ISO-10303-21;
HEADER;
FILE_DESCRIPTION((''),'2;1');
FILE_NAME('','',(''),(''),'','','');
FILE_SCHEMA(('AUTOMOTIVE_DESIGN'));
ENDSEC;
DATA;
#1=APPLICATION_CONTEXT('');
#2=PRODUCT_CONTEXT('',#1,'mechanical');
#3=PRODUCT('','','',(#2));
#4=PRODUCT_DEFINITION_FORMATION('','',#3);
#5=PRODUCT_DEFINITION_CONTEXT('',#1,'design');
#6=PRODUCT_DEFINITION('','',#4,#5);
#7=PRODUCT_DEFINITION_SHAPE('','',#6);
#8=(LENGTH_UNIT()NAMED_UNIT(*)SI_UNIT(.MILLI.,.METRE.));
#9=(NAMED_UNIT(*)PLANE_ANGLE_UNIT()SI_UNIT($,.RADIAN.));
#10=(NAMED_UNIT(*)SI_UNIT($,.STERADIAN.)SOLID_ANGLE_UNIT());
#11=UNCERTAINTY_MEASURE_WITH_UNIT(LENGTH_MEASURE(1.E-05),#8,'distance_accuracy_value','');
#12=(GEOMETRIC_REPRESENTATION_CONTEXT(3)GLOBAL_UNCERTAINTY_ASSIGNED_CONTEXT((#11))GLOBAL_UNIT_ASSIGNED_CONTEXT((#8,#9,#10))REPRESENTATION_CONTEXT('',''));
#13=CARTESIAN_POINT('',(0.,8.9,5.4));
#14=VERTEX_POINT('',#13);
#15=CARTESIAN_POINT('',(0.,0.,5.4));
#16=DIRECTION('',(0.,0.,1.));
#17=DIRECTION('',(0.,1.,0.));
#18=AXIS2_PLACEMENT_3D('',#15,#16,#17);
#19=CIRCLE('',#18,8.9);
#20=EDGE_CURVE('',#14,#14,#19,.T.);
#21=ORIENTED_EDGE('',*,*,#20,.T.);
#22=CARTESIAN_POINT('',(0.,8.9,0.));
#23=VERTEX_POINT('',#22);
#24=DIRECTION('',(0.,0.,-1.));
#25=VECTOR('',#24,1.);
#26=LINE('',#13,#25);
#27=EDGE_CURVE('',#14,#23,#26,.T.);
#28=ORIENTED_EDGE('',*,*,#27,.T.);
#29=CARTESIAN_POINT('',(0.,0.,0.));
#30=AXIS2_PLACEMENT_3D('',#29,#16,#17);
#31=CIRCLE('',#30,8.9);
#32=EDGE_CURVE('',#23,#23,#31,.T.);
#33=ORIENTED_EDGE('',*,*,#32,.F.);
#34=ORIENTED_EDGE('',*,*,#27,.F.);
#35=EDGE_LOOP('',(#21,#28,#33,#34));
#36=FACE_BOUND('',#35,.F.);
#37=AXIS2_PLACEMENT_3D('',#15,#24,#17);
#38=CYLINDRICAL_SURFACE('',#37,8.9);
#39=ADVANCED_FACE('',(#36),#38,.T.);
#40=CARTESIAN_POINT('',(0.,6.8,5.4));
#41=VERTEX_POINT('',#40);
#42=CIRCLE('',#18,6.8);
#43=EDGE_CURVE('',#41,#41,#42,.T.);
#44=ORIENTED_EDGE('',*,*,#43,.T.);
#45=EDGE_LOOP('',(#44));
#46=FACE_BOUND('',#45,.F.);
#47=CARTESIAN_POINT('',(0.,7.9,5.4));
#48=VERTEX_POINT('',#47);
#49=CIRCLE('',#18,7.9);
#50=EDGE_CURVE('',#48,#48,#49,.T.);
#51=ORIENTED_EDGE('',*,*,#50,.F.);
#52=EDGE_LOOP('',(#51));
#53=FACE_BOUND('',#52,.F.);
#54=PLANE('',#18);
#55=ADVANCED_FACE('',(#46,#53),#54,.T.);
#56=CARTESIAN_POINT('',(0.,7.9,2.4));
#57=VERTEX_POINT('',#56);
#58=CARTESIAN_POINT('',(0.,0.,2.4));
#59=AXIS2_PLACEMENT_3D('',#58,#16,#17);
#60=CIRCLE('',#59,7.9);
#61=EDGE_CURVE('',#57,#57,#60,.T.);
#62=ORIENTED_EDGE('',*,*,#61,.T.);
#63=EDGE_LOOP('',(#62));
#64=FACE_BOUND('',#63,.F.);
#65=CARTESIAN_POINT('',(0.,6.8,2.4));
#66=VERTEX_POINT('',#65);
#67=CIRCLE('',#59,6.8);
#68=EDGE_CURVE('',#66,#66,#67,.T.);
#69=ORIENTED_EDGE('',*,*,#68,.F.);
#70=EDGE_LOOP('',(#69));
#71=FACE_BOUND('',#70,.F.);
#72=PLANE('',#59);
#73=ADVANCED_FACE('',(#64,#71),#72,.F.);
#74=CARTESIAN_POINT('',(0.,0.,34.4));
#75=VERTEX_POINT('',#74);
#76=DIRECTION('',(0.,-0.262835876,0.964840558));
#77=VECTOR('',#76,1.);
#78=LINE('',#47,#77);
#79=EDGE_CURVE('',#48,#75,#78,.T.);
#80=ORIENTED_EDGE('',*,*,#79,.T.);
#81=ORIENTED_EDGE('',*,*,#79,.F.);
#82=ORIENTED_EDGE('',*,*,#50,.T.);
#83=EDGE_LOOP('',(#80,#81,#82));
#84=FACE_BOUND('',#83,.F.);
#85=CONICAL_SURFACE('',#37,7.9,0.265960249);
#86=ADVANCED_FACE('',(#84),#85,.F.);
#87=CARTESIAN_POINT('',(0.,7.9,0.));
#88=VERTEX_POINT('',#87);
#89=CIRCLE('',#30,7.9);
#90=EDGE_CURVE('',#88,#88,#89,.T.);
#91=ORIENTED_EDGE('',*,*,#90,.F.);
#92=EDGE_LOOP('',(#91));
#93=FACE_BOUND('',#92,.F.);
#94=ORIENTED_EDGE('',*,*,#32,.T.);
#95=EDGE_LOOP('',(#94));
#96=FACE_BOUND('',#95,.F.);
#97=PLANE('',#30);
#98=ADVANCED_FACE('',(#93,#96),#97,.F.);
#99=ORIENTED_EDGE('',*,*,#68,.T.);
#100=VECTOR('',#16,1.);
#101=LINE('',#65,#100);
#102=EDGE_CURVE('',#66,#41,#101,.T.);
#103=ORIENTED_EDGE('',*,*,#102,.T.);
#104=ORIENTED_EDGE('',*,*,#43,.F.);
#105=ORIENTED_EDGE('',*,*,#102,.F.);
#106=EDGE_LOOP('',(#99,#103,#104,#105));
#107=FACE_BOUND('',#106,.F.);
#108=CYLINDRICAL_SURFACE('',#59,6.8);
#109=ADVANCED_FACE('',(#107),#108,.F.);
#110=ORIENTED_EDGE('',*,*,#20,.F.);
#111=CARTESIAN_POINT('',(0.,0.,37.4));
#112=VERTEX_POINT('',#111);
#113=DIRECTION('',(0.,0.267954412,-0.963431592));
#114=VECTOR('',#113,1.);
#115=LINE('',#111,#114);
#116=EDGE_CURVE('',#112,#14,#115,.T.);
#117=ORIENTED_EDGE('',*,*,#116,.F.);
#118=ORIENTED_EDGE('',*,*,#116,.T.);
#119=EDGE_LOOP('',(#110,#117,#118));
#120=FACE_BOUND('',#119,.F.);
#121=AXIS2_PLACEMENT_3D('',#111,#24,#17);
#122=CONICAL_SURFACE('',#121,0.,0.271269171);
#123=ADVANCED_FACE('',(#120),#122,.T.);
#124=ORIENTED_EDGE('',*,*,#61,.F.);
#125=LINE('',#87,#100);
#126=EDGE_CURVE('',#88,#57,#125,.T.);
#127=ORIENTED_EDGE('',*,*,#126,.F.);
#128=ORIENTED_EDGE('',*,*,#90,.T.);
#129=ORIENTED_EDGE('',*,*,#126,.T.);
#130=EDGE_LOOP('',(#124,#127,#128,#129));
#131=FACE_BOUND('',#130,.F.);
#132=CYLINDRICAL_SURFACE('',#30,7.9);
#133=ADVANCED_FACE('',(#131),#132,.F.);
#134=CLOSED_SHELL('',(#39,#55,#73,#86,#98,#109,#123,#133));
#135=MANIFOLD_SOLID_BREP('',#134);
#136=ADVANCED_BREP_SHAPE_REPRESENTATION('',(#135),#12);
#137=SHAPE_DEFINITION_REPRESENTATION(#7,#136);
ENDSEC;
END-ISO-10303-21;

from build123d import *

# Parameters (mm, degrees)
F3_ANGLE = 90


with BuildPart() as f1:
    # F0 (on Top) → F1 (revolve)
    with BuildSketch(Plane.XY):
        Polygon((0, 8.9), (0, 7.9), (2.4, 7.9), (2.4, 6.8), (5.4, 6.8), (5.4, 7.9), (34.4, 0), (37.4, 0), (5.4, 8.9), align=None)
    revolve(axis=Axis((12.5827532146, 0, 0), (1, 0, 0)))


with BuildPart() as f1_1:
    # F3: moved
    add(f1.part.rotate(Axis((0, 0, 0), (0, -1, 0)), F3_ANGLE))


solid = f1_1.part
